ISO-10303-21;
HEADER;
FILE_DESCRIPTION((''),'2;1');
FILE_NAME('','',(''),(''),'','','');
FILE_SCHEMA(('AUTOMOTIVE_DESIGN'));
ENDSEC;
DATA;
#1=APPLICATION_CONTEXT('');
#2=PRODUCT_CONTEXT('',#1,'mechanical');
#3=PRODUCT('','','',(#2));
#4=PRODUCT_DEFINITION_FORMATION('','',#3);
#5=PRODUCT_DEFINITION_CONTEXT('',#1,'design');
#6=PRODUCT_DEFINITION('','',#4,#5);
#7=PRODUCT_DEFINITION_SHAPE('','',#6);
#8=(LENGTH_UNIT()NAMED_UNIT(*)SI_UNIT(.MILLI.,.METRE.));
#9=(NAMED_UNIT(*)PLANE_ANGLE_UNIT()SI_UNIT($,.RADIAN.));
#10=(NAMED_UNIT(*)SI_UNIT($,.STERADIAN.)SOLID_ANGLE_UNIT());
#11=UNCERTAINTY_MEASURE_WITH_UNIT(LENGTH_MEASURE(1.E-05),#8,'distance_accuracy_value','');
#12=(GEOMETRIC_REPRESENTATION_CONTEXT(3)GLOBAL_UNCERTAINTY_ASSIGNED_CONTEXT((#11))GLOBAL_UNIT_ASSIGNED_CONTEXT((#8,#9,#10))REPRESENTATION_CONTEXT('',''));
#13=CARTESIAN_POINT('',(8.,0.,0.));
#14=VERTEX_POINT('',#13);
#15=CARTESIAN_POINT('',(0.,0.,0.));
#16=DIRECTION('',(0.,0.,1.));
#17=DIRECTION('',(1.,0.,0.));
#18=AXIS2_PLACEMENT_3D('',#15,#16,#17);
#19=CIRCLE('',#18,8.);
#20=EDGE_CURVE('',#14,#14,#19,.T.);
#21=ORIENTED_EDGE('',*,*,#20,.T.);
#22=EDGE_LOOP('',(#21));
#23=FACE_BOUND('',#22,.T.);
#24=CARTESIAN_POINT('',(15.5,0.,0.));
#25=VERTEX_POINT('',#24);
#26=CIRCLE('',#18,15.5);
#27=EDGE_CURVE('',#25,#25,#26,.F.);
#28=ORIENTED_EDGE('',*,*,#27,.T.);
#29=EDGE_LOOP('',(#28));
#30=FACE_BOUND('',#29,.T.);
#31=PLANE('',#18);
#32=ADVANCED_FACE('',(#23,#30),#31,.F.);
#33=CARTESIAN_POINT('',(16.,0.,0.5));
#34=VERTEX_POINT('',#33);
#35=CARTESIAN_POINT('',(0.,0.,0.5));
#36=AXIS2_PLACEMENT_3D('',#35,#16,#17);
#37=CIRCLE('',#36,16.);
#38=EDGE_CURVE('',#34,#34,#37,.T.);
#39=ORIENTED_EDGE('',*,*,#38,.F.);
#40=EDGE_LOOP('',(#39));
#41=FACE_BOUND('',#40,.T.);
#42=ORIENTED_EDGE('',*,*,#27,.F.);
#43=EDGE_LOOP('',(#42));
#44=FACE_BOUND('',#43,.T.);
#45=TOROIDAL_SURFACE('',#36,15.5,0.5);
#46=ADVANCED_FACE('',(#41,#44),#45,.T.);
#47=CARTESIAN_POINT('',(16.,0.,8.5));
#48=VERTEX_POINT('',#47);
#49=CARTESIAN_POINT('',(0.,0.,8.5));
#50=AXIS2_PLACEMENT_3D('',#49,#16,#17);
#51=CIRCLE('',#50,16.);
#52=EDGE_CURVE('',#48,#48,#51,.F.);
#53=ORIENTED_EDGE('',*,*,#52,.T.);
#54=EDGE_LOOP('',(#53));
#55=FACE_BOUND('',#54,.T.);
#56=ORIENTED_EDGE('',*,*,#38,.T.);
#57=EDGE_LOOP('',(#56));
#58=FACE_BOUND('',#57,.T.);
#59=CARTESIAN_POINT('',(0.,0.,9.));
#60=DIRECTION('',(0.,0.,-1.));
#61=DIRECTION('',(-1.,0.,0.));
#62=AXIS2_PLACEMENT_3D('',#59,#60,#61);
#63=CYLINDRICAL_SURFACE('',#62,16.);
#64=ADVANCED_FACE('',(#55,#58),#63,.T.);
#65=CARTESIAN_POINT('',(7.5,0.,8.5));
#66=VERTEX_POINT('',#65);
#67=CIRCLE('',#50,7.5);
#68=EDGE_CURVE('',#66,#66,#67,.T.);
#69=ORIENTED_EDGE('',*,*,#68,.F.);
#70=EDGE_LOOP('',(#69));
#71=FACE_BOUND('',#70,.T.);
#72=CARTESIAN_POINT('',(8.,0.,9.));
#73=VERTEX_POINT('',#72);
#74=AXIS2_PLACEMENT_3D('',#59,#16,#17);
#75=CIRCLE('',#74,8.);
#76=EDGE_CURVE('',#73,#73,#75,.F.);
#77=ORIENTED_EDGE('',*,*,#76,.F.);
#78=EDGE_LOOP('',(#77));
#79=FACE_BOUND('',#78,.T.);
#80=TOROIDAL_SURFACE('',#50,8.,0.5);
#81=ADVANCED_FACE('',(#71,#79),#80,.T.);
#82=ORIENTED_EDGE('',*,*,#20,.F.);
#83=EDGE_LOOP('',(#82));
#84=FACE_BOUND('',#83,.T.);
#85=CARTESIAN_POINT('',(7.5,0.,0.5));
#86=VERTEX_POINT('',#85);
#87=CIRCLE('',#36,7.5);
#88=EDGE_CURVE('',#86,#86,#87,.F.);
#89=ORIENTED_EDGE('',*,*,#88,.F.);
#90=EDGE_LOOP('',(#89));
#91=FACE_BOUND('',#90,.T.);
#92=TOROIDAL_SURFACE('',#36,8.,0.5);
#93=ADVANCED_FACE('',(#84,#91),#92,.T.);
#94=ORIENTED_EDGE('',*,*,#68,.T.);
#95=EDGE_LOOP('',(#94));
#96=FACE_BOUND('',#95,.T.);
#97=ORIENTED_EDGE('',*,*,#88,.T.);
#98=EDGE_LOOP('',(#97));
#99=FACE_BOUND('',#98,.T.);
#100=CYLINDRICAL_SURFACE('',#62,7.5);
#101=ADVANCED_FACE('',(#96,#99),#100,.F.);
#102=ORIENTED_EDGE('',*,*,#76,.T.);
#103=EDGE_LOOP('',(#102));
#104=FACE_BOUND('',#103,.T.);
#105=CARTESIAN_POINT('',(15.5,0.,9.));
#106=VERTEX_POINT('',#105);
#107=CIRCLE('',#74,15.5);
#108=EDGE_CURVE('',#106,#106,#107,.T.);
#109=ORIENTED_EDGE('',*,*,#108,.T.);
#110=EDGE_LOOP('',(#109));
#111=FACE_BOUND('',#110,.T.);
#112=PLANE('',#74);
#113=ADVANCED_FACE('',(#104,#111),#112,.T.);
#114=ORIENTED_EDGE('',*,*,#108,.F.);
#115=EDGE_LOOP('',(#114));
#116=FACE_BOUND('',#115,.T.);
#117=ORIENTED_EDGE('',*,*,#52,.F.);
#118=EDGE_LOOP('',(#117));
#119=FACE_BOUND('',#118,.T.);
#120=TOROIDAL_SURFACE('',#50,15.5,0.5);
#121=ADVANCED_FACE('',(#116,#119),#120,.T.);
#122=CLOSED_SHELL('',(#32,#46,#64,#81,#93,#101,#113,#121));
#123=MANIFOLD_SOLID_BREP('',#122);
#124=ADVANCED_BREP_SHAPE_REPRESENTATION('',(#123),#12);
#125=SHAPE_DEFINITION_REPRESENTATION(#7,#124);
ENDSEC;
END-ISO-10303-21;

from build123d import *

# Parameters (mm, degrees)
ESQUISSE1_R        = 16
ESQUISSE1_R_2      = 7.5
BOSS_EXTRU_1_DEPTH = 9
CONG_1_R           = 0.5


with BuildPart() as part:
    # Esquisse1 → Boss.-Extru.1 (new body)
    with BuildSketch(Plane.XY):
        Circle(ESQUISSE1_R)
        Circle(ESQUISSE1_R_2, mode=Mode.SUBTRACT)
    extrude(amount=BOSS_EXTRU_1_DEPTH)

    # Congé1
    cong_1_edges = [part.edges().sort_by_distance(p)[0] for p in [
        (-16, 0, 0),
        (-16, 0, 9),
        (-7.5, 0, 0),
        (-7.5, 0, 9),
    ]]
    fillet(cong_1_edges, radius=CONG_1_R)


solid = part.part
